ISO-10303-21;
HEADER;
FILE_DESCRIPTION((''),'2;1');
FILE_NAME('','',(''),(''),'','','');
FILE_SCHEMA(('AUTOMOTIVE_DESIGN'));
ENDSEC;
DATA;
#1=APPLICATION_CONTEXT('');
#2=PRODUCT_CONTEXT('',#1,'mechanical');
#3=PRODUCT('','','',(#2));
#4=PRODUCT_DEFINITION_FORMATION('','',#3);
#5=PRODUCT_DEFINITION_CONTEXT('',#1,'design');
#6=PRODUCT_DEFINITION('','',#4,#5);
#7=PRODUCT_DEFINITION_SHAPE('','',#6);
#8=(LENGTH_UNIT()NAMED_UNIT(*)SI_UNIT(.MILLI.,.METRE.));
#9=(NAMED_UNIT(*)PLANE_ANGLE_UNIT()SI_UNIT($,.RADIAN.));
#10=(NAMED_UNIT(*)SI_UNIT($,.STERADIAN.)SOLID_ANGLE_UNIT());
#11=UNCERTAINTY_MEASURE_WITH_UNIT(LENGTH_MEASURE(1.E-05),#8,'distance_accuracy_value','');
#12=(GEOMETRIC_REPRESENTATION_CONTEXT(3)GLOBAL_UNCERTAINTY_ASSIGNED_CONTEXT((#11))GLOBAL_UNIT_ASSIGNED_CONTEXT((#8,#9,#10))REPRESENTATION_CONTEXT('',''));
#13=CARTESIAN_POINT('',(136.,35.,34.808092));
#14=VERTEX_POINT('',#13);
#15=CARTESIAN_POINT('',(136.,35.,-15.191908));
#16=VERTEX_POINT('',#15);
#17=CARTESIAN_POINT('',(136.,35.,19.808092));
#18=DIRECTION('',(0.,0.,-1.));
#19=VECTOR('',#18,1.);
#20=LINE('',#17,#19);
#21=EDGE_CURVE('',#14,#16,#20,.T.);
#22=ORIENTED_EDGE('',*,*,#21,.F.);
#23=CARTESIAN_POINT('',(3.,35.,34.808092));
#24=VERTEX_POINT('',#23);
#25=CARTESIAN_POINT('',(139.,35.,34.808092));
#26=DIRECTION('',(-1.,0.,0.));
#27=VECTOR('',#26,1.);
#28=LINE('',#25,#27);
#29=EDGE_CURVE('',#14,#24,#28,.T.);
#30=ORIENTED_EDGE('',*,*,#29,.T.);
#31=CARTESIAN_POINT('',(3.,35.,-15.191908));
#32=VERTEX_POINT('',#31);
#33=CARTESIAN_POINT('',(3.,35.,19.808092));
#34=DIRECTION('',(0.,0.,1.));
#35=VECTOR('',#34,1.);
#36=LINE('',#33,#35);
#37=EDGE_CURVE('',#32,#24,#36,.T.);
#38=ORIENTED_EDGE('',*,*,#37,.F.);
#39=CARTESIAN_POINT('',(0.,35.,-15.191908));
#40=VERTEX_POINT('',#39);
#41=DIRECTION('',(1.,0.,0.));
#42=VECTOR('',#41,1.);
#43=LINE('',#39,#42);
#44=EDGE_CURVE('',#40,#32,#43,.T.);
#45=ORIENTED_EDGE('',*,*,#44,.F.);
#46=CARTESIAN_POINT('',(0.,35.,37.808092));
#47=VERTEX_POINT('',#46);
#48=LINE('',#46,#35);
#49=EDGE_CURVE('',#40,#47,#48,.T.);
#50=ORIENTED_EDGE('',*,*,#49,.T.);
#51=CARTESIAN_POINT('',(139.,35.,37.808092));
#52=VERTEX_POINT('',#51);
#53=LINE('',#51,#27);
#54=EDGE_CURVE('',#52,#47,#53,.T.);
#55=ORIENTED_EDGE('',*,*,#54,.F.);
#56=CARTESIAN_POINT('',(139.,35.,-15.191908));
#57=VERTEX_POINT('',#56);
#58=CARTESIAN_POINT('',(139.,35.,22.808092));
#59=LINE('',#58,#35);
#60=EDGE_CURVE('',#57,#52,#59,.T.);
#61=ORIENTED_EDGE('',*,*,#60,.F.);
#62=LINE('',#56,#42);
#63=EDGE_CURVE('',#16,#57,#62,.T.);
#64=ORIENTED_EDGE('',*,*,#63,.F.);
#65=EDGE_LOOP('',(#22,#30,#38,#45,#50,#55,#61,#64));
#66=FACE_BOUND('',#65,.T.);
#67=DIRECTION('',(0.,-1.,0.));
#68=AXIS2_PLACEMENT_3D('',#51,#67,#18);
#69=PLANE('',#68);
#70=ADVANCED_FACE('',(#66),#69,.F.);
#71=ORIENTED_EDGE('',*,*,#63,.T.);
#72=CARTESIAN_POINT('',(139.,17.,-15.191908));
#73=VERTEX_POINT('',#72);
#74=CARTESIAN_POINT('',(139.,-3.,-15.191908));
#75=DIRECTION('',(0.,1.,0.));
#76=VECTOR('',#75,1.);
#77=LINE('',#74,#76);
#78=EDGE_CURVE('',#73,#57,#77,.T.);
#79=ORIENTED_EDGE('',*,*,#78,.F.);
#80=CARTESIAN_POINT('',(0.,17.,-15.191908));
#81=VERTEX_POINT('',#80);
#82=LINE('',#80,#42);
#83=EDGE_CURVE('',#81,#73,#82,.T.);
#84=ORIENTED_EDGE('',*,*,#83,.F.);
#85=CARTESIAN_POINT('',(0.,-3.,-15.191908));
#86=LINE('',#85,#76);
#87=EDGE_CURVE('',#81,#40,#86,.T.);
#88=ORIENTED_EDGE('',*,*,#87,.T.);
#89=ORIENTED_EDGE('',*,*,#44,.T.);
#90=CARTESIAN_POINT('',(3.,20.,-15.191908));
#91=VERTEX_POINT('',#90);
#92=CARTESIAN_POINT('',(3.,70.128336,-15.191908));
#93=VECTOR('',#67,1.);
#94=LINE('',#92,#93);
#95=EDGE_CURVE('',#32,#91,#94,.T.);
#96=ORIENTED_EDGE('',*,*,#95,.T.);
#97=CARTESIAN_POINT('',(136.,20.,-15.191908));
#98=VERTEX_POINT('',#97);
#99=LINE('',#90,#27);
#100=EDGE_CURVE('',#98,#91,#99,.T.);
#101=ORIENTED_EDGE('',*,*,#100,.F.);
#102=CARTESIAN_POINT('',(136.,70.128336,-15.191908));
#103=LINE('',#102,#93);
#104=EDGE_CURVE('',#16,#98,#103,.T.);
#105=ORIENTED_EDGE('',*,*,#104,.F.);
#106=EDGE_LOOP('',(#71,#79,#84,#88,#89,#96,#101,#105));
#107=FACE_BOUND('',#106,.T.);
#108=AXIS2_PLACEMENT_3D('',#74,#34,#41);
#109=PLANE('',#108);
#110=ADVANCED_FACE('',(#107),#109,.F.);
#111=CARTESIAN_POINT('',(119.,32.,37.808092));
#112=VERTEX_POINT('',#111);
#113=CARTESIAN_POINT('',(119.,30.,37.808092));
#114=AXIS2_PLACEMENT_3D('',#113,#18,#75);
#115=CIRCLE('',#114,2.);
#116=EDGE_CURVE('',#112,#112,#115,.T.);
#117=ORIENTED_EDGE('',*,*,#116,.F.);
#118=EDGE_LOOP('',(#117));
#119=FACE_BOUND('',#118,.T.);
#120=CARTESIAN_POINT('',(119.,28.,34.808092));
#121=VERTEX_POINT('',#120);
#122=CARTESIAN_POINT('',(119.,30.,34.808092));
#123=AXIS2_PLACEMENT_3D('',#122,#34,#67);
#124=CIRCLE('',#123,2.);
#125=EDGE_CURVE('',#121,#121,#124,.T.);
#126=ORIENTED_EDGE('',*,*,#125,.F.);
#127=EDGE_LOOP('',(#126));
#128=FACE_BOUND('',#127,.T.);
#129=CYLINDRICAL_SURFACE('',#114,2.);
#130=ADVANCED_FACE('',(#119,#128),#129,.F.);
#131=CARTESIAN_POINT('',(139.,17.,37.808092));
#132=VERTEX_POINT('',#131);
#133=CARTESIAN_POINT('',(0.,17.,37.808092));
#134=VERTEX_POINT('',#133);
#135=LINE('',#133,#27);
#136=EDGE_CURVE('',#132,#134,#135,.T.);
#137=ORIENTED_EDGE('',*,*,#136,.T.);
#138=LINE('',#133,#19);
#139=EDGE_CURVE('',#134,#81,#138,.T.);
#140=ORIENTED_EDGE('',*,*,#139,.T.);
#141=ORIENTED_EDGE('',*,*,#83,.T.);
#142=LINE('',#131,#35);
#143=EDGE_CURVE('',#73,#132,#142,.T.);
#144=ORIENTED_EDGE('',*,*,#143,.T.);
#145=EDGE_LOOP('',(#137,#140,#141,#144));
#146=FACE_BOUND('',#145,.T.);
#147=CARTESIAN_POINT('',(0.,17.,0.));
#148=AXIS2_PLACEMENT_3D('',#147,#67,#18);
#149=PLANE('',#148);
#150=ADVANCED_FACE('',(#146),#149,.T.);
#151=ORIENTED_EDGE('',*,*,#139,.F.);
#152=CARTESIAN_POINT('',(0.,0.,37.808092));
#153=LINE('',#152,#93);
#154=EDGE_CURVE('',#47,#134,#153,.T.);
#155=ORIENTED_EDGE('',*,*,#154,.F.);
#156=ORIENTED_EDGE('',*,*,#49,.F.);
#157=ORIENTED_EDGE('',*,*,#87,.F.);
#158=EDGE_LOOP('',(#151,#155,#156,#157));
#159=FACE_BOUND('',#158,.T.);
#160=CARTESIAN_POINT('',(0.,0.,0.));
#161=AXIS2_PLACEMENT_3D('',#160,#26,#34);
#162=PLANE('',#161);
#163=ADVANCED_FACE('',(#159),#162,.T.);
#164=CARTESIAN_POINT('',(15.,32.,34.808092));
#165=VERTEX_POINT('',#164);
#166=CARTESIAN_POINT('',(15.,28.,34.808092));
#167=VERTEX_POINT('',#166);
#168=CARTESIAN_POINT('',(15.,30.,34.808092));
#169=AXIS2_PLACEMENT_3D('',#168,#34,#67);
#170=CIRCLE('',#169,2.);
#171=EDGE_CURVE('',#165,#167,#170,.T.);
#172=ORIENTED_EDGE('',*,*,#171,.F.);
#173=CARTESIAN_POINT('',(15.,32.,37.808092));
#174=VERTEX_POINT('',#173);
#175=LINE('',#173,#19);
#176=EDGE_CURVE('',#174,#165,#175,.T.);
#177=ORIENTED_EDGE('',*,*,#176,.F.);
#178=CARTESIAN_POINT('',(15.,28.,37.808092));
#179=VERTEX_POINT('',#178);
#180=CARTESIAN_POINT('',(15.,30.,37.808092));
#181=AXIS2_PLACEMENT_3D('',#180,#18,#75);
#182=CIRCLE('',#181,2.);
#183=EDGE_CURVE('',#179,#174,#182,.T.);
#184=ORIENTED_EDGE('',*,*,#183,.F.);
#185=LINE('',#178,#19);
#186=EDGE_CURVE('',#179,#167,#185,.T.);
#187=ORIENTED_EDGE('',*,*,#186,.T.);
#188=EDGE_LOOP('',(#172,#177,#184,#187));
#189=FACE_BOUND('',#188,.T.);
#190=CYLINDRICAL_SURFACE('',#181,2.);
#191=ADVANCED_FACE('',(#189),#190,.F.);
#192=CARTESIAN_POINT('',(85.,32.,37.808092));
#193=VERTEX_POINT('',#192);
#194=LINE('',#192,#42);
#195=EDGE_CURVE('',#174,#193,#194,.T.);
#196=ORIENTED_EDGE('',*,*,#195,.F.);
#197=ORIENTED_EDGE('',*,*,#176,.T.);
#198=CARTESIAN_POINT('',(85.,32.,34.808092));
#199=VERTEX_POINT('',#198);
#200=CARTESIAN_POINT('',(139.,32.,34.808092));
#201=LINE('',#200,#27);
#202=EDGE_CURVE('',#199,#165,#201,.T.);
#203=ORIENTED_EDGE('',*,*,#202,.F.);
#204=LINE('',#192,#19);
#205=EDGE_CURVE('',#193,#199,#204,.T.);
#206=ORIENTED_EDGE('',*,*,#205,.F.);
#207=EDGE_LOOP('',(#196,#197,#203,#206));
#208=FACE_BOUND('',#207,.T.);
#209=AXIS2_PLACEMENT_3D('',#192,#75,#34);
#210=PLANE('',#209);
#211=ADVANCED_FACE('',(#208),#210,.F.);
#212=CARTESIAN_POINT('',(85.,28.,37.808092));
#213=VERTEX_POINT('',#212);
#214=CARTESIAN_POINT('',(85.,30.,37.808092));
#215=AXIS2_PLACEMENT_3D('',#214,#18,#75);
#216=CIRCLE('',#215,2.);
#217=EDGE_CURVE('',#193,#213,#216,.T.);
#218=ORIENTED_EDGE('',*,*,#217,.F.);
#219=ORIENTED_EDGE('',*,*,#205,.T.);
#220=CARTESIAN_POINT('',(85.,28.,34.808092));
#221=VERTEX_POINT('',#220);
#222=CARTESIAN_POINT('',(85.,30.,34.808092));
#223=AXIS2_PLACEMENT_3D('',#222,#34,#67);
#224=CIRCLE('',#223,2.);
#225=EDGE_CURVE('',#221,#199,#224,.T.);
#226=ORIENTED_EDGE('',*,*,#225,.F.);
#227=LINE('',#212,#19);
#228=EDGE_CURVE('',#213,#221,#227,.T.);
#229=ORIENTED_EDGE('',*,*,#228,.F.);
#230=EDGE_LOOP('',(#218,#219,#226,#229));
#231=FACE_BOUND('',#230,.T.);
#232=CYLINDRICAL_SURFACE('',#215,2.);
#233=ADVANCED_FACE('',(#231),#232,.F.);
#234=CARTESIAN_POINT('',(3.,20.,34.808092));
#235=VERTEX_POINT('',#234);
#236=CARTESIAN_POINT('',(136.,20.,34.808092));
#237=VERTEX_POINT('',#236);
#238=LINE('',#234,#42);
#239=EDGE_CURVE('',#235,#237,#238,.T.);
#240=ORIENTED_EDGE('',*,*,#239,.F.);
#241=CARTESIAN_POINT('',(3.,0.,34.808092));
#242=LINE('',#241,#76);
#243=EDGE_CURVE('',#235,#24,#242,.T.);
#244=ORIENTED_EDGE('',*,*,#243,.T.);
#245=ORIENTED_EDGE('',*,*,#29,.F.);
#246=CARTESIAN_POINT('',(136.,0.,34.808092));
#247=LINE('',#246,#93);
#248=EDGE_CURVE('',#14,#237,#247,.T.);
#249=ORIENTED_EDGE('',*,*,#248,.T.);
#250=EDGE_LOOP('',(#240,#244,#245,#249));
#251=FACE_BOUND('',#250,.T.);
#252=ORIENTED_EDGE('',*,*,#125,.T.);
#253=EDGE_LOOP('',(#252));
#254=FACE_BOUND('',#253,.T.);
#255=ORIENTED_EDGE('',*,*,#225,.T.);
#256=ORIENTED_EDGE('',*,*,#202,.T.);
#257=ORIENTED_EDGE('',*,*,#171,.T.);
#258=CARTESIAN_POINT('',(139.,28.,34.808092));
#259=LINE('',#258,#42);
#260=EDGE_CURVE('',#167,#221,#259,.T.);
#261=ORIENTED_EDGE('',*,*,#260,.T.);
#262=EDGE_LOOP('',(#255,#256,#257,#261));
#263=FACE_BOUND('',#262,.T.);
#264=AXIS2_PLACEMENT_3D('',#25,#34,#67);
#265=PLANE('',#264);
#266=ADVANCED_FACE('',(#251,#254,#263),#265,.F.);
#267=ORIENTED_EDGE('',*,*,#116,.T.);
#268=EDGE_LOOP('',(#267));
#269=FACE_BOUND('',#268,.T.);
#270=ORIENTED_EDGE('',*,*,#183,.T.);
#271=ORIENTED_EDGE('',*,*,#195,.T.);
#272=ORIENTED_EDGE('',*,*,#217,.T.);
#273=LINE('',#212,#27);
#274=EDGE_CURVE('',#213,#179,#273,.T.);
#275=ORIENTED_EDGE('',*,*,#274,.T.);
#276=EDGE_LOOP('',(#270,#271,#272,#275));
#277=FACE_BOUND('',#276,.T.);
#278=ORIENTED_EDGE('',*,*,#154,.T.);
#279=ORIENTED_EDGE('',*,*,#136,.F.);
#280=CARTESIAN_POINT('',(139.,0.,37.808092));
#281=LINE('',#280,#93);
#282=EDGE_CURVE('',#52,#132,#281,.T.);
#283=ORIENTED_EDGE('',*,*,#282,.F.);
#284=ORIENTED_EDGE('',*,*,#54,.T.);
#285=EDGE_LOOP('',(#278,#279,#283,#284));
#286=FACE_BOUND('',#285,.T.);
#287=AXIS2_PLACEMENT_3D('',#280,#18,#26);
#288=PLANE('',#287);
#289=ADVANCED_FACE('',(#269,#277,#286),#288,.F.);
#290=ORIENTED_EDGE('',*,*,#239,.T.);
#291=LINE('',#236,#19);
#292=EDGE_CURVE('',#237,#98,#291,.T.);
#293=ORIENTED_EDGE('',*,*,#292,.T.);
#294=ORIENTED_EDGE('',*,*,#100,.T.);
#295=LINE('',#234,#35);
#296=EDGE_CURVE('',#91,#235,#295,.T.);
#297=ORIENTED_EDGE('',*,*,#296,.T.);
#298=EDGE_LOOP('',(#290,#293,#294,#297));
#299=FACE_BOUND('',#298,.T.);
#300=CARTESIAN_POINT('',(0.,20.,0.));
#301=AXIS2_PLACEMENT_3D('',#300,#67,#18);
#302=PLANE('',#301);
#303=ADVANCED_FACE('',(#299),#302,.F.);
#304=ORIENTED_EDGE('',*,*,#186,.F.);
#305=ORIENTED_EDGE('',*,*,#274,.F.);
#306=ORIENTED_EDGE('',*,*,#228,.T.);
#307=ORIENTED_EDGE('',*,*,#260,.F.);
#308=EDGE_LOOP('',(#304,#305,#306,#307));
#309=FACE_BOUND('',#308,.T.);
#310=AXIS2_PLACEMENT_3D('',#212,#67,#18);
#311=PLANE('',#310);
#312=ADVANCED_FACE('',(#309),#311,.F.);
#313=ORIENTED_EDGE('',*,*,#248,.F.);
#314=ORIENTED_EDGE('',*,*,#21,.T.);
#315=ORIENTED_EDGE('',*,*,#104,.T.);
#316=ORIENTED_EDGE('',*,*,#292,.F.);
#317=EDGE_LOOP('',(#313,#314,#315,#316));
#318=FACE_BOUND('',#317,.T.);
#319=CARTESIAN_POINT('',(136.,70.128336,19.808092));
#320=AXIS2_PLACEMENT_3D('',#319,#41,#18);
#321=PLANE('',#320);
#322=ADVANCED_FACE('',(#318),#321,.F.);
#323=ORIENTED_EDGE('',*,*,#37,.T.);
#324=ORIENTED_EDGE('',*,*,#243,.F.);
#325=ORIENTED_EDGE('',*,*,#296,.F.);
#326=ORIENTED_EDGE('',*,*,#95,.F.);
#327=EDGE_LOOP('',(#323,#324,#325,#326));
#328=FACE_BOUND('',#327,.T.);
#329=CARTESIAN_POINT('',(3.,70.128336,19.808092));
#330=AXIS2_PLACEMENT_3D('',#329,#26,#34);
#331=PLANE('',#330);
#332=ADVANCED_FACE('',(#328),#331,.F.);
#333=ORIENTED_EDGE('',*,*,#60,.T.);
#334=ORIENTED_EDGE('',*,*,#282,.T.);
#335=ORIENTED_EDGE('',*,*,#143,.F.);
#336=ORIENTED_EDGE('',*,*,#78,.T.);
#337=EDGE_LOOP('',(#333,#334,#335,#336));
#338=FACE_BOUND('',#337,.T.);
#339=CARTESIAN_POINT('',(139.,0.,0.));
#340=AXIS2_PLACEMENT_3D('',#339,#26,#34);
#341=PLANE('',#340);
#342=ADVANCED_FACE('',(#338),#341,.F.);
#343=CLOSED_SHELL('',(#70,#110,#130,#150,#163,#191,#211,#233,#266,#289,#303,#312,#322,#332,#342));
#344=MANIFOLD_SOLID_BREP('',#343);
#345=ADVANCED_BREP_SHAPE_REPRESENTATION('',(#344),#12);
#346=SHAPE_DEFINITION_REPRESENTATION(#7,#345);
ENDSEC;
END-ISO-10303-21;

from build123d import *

# Parameters (mm, degrees)
BOSS_EXTRUDE1_DEPTH = 139
SKETCH5_R           = 2
CUT_EXTRUDE1_DEPTH  = 148.549991528
SKETCH6_W           = 3
SKETCH6_H           = 35
BOSS_EXTRUDE2_DEPTH = 35
SKETCH7_W           = 133
SKETCH7_H           = 35
BOSS_EXTRUDE3_DEPTH = 5
SKETCH8_W           = 133
SKETCH8_H           = 35
CUT_EXTRUDE2_DEPTH  = 20
SKETCH9_W           = 3
SKETCH9_H           = 12
BOSS_EXTRUDE4_DEPTH = 25
SKETCH10_W          = 133
SKETCH10_H          = 50
BOSS_EXTRUDE5_DEPTH = 20
SKETCH11_W          = 139
SKETCH11_H          = 53
CUT_EXTRUDE3_DEPTH  = 20


with BuildPart() as part:
    # Sketch3 → Boss-Extrude1 (new body)
    with BuildSketch(Plane(origin=(0, 0, 0), x_dir=(0, 0, -1), z_dir=(1, 0, 0))):
        Polygon((-34.8080918, 35), (-34.8080918, 10), (-22.8080918, 10), (-22.8080918, 35), (-19.8080918, 35), (-19.8080918, 0), (15.1919082, 0), (15.1919082, -3), (-29.8080918, -3), (-37.8080918, -3), (-37.8080918, 0), (-37.8080918, 35), align=None)
    extrude(amount=BOSS_EXTRUDE1_DEPTH)

    # Sketch5 → Cut-Extrude1 (cut, through all)
    with BuildSketch(Plane(origin=(0, 0, 19.8080918), x_dir=(-1, 0, 0), z_dir=(0, 0, -1))):
        with Locations(Location((-119, 30, 0), (0, 0, 90))):
            Circle(SKETCH5_R)
        with BuildLine():
            Line((-85, 32), (-15, 32))
            ThreePointArc((-15, 32), (-13, 30), (-15, 28))
            Line((-15, 28), (-85, 28))
            ThreePointArc((-85, 28), (-87, 30), (-85, 32))
        make_face()
    extrude(amount=-CUT_EXTRUDE1_DEPTH, mode=Mode.SUBTRACT)

    # Sketch6 → Boss-Extrude2 (add)
    with BuildSketch(Plane(origin=(0, 0, 0), x_dir=(1, 0, 0), z_dir=(0, 1, 0))):
        with Locations((1.5, -2.3080918)):
            Rectangle(SKETCH6_W, SKETCH6_H)
        with Locations((137.5, -2.3080918)):
            Rectangle(SKETCH6_W, SKETCH6_H)
    extrude(amount=BOSS_EXTRUDE2_DEPTH)

    # Sketch7 → Boss-Extrude3 (add)
    with BuildSketch(Plane(origin=(0, 0, 19.8080918), x_dir=(-1, 0, 0), z_dir=(0, 0, -1))):
        with Locations((-69.5, 17.5)):
            Rectangle(SKETCH7_W, SKETCH7_H)
    extrude(amount=BOSS_EXTRUDE3_DEPTH)

    # Sketch8 → Cut-Extrude2 (cut)
    with BuildSketch(Plane(origin=(0, 0, 14.8080918), x_dir=(-1, 0, 0), z_dir=(0, 0, -1))):
        with Locations((-69.5, 17.5)):
            Rectangle(SKETCH8_W, SKETCH8_H)
    extrude(amount=-CUT_EXTRUDE2_DEPTH, mode=Mode.SUBTRACT)

    # Sketch9 → Boss-Extrude4 (add)
    with BuildSketch(Plane(origin=(0, 10, 0), x_dir=(1, 0, 0), z_dir=(0, 1, 0))):
        with Locations((137.5, -28.8080918)):
            Rectangle(SKETCH9_W, SKETCH9_H)
        with Locations((1.5, -28.8080918)):
            Rectangle(SKETCH9_W, SKETCH9_H)
    extrude(amount=BOSS_EXTRUDE4_DEPTH)

    # Sketch10 → Boss-Extrude5 (add)
    with BuildSketch(Plane(origin=(0, 0, 0), x_dir=(1, 0, 0), z_dir=(0, 1, 0))):
        with Locations((69.5, -9.8080918)):
            Rectangle(SKETCH10_W, SKETCH10_H)
    extrude(amount=BOSS_EXTRUDE5_DEPTH)

    # Sketch11 → Cut-Extrude3 (cut)
    with BuildSketch(Plane.XZ.offset(3)):
        with Locations((69.5, 11.3080918)):
            Rectangle(SKETCH11_W, SKETCH11_H)
    extrude(amount=-CUT_EXTRUDE3_DEPTH, mode=Mode.SUBTRACT)


solid = part.part
